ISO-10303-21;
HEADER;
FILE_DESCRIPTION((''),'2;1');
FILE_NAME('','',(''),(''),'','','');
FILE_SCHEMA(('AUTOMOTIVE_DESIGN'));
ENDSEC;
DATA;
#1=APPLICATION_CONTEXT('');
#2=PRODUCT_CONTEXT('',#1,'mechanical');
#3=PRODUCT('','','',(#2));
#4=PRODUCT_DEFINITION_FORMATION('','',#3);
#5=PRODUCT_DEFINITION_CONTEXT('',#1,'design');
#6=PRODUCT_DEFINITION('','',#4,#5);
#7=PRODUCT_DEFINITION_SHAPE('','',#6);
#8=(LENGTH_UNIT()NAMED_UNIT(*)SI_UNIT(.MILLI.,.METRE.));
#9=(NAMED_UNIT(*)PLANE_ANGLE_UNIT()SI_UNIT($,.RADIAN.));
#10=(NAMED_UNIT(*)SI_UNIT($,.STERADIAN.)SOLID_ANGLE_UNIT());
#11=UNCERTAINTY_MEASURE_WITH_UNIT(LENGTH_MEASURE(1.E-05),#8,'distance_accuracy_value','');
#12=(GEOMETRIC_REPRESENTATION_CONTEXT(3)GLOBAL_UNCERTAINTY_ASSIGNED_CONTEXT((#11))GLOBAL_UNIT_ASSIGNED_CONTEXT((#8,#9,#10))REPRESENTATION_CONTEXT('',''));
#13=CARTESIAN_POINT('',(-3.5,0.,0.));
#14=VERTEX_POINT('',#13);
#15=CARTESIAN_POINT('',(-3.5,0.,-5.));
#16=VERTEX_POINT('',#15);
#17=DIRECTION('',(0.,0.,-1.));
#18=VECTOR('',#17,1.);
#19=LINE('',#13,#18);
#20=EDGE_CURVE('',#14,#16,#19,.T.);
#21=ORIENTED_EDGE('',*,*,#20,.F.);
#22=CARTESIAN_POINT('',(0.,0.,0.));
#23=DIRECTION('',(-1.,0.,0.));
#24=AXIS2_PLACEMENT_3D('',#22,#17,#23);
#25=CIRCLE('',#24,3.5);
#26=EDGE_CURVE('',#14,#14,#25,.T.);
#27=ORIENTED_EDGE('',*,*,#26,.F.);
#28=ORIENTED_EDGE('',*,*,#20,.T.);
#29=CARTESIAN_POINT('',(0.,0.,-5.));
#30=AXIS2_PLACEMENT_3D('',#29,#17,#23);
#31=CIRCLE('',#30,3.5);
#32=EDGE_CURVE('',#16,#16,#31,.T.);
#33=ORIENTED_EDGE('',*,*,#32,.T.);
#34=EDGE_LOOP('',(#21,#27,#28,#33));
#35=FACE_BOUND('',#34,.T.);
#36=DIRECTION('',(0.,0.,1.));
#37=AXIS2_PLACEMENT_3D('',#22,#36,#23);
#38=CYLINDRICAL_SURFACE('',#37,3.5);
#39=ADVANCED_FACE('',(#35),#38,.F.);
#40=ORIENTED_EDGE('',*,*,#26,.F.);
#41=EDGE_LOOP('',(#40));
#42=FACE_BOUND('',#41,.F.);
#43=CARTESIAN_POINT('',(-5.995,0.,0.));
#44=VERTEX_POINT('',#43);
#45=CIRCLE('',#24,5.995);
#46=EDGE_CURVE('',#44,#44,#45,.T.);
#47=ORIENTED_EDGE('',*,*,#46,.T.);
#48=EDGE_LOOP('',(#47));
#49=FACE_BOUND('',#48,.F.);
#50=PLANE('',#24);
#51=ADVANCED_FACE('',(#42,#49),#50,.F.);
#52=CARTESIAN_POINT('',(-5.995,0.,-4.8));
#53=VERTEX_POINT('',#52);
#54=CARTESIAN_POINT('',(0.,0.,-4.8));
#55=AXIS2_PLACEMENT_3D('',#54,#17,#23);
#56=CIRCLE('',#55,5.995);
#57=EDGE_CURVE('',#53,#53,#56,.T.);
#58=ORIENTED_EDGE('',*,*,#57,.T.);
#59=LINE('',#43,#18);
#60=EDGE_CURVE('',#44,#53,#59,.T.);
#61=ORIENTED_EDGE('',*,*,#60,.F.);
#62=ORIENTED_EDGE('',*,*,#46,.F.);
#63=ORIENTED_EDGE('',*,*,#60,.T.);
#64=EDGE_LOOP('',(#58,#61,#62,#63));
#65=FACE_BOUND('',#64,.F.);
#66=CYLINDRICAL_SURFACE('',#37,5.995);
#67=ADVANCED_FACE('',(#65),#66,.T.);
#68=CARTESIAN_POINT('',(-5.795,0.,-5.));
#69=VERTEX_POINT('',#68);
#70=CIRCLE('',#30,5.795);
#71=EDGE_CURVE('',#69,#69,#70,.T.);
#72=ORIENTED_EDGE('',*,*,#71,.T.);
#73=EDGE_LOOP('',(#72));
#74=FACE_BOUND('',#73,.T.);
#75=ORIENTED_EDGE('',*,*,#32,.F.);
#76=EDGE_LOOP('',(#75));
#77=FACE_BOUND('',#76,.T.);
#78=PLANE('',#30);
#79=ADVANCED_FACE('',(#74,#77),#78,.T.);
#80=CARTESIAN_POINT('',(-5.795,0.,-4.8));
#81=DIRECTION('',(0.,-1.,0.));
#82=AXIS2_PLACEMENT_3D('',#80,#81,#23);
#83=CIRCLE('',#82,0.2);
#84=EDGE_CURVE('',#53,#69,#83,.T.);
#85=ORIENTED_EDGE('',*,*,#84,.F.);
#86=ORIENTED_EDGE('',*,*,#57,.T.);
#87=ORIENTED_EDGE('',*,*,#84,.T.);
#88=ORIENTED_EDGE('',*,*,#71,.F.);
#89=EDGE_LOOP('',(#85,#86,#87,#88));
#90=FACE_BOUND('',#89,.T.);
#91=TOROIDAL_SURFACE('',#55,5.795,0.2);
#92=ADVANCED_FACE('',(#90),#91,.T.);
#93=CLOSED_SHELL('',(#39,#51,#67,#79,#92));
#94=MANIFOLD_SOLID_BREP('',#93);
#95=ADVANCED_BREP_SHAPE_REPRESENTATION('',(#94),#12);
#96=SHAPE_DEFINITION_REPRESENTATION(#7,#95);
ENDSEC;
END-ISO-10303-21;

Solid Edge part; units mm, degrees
sketch "Sketch1" plane through (0, 0, 0) normal (0, 0, -1) x (-1, 0, 0)
  circle A0 centre (0, 0) radius 3.5
  circle A1 centre (0, 0) radius 5.995
extrude "Protrusion1" add sketch "Sketch1" along normal blind 5
fillet "Lekerekítés_1" radius 0.2 1 edges at (5.995, 0, -5)
properties material "Réz, sárgaréz"
